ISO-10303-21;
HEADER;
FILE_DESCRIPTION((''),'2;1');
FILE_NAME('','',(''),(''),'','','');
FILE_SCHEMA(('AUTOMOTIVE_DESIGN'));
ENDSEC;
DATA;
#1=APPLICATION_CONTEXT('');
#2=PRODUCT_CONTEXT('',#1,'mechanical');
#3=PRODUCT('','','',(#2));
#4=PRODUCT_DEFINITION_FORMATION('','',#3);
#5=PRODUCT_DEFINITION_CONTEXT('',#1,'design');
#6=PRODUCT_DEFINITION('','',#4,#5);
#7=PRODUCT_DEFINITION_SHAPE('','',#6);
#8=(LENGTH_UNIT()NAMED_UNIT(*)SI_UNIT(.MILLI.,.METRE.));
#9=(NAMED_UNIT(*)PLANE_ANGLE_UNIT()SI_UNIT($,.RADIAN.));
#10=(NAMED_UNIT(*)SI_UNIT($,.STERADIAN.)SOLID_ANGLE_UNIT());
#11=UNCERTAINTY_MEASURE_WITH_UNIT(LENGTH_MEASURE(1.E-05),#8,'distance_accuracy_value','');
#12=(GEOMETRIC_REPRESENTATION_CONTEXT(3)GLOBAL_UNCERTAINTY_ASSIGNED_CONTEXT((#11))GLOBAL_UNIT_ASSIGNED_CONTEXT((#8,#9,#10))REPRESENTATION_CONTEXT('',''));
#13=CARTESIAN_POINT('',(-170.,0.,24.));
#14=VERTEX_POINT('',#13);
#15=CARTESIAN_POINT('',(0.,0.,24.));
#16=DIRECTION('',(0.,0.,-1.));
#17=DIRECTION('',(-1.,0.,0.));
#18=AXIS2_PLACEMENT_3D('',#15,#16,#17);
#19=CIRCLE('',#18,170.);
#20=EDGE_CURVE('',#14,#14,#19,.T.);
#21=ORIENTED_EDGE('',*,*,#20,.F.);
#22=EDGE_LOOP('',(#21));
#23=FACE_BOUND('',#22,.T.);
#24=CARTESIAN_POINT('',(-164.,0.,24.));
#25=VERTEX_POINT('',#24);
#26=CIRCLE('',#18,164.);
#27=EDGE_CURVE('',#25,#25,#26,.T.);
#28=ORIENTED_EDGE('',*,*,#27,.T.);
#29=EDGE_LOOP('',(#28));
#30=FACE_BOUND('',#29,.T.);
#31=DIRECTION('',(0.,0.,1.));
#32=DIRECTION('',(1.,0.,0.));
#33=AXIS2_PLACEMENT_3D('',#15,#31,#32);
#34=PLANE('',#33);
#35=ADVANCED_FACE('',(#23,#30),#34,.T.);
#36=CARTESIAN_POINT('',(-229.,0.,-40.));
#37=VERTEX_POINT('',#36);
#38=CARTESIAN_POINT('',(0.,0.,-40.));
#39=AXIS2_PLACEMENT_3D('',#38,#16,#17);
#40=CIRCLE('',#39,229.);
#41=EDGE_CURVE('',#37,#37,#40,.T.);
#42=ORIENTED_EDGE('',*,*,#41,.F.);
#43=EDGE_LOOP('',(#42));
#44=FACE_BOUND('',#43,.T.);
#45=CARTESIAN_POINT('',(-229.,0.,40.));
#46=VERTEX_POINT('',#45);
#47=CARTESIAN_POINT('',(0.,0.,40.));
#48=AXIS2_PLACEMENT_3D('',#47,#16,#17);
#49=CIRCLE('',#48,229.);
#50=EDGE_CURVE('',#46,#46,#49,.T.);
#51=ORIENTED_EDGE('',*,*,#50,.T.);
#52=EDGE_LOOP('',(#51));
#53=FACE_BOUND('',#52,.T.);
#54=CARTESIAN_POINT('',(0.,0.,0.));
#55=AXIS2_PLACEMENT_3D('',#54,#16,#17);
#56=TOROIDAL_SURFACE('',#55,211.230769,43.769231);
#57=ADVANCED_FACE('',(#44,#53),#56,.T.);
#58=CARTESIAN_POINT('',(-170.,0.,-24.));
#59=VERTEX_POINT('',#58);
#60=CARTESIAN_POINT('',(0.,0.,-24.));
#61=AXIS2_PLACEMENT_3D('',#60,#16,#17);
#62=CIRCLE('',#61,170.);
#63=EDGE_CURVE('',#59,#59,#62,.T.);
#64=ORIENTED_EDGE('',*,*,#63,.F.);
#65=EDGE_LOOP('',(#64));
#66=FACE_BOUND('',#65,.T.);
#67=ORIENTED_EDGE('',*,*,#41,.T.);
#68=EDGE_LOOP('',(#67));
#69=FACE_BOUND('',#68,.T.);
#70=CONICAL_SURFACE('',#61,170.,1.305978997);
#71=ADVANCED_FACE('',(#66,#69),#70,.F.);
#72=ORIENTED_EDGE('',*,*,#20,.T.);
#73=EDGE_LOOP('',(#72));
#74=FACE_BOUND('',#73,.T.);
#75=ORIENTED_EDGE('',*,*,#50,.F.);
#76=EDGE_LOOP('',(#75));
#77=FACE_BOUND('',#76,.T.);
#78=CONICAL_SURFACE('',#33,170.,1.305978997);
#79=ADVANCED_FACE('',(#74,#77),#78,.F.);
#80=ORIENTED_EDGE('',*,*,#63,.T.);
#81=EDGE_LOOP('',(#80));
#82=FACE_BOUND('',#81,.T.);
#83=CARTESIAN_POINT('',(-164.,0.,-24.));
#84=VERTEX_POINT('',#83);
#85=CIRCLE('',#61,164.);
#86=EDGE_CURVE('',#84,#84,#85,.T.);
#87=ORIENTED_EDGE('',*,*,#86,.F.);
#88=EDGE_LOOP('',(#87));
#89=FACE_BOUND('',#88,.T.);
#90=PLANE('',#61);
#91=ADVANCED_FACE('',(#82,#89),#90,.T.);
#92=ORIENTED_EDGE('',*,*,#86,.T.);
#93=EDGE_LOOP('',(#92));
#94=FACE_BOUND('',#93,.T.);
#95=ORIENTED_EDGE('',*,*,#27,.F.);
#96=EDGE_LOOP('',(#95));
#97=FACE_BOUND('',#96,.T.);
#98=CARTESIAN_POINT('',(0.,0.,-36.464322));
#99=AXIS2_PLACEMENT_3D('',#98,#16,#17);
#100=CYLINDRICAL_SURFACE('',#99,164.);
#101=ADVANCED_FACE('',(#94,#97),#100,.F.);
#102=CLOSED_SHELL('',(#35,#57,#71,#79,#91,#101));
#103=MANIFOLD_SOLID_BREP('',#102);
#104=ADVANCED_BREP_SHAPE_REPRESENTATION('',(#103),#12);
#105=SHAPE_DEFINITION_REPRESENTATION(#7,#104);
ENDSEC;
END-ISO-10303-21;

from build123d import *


with BuildPart() as part:
    # Sketch1 → Revolve1 (revolve)
    with BuildSketch(Plane(origin=(0, 0, 0), x_dir=(1, 0, 0), z_dir=(0, 1, 0))):
        with BuildLine():
            Line((-170, -24), (-229, -40))
            ThreePointArc((-229, -40), (-255, 0), (-229, 40))
            Line((-229, 40), (-170, 24))
            Line((-170, 24), (-164, 24))
            Line((-164, 24), (-164, -24))
            Line((-164, -24), (-170, -24))
        make_face()
    revolve(axis=Axis((0, 0, -36.464321623), (0, 0, 1)))


solid = part.part
